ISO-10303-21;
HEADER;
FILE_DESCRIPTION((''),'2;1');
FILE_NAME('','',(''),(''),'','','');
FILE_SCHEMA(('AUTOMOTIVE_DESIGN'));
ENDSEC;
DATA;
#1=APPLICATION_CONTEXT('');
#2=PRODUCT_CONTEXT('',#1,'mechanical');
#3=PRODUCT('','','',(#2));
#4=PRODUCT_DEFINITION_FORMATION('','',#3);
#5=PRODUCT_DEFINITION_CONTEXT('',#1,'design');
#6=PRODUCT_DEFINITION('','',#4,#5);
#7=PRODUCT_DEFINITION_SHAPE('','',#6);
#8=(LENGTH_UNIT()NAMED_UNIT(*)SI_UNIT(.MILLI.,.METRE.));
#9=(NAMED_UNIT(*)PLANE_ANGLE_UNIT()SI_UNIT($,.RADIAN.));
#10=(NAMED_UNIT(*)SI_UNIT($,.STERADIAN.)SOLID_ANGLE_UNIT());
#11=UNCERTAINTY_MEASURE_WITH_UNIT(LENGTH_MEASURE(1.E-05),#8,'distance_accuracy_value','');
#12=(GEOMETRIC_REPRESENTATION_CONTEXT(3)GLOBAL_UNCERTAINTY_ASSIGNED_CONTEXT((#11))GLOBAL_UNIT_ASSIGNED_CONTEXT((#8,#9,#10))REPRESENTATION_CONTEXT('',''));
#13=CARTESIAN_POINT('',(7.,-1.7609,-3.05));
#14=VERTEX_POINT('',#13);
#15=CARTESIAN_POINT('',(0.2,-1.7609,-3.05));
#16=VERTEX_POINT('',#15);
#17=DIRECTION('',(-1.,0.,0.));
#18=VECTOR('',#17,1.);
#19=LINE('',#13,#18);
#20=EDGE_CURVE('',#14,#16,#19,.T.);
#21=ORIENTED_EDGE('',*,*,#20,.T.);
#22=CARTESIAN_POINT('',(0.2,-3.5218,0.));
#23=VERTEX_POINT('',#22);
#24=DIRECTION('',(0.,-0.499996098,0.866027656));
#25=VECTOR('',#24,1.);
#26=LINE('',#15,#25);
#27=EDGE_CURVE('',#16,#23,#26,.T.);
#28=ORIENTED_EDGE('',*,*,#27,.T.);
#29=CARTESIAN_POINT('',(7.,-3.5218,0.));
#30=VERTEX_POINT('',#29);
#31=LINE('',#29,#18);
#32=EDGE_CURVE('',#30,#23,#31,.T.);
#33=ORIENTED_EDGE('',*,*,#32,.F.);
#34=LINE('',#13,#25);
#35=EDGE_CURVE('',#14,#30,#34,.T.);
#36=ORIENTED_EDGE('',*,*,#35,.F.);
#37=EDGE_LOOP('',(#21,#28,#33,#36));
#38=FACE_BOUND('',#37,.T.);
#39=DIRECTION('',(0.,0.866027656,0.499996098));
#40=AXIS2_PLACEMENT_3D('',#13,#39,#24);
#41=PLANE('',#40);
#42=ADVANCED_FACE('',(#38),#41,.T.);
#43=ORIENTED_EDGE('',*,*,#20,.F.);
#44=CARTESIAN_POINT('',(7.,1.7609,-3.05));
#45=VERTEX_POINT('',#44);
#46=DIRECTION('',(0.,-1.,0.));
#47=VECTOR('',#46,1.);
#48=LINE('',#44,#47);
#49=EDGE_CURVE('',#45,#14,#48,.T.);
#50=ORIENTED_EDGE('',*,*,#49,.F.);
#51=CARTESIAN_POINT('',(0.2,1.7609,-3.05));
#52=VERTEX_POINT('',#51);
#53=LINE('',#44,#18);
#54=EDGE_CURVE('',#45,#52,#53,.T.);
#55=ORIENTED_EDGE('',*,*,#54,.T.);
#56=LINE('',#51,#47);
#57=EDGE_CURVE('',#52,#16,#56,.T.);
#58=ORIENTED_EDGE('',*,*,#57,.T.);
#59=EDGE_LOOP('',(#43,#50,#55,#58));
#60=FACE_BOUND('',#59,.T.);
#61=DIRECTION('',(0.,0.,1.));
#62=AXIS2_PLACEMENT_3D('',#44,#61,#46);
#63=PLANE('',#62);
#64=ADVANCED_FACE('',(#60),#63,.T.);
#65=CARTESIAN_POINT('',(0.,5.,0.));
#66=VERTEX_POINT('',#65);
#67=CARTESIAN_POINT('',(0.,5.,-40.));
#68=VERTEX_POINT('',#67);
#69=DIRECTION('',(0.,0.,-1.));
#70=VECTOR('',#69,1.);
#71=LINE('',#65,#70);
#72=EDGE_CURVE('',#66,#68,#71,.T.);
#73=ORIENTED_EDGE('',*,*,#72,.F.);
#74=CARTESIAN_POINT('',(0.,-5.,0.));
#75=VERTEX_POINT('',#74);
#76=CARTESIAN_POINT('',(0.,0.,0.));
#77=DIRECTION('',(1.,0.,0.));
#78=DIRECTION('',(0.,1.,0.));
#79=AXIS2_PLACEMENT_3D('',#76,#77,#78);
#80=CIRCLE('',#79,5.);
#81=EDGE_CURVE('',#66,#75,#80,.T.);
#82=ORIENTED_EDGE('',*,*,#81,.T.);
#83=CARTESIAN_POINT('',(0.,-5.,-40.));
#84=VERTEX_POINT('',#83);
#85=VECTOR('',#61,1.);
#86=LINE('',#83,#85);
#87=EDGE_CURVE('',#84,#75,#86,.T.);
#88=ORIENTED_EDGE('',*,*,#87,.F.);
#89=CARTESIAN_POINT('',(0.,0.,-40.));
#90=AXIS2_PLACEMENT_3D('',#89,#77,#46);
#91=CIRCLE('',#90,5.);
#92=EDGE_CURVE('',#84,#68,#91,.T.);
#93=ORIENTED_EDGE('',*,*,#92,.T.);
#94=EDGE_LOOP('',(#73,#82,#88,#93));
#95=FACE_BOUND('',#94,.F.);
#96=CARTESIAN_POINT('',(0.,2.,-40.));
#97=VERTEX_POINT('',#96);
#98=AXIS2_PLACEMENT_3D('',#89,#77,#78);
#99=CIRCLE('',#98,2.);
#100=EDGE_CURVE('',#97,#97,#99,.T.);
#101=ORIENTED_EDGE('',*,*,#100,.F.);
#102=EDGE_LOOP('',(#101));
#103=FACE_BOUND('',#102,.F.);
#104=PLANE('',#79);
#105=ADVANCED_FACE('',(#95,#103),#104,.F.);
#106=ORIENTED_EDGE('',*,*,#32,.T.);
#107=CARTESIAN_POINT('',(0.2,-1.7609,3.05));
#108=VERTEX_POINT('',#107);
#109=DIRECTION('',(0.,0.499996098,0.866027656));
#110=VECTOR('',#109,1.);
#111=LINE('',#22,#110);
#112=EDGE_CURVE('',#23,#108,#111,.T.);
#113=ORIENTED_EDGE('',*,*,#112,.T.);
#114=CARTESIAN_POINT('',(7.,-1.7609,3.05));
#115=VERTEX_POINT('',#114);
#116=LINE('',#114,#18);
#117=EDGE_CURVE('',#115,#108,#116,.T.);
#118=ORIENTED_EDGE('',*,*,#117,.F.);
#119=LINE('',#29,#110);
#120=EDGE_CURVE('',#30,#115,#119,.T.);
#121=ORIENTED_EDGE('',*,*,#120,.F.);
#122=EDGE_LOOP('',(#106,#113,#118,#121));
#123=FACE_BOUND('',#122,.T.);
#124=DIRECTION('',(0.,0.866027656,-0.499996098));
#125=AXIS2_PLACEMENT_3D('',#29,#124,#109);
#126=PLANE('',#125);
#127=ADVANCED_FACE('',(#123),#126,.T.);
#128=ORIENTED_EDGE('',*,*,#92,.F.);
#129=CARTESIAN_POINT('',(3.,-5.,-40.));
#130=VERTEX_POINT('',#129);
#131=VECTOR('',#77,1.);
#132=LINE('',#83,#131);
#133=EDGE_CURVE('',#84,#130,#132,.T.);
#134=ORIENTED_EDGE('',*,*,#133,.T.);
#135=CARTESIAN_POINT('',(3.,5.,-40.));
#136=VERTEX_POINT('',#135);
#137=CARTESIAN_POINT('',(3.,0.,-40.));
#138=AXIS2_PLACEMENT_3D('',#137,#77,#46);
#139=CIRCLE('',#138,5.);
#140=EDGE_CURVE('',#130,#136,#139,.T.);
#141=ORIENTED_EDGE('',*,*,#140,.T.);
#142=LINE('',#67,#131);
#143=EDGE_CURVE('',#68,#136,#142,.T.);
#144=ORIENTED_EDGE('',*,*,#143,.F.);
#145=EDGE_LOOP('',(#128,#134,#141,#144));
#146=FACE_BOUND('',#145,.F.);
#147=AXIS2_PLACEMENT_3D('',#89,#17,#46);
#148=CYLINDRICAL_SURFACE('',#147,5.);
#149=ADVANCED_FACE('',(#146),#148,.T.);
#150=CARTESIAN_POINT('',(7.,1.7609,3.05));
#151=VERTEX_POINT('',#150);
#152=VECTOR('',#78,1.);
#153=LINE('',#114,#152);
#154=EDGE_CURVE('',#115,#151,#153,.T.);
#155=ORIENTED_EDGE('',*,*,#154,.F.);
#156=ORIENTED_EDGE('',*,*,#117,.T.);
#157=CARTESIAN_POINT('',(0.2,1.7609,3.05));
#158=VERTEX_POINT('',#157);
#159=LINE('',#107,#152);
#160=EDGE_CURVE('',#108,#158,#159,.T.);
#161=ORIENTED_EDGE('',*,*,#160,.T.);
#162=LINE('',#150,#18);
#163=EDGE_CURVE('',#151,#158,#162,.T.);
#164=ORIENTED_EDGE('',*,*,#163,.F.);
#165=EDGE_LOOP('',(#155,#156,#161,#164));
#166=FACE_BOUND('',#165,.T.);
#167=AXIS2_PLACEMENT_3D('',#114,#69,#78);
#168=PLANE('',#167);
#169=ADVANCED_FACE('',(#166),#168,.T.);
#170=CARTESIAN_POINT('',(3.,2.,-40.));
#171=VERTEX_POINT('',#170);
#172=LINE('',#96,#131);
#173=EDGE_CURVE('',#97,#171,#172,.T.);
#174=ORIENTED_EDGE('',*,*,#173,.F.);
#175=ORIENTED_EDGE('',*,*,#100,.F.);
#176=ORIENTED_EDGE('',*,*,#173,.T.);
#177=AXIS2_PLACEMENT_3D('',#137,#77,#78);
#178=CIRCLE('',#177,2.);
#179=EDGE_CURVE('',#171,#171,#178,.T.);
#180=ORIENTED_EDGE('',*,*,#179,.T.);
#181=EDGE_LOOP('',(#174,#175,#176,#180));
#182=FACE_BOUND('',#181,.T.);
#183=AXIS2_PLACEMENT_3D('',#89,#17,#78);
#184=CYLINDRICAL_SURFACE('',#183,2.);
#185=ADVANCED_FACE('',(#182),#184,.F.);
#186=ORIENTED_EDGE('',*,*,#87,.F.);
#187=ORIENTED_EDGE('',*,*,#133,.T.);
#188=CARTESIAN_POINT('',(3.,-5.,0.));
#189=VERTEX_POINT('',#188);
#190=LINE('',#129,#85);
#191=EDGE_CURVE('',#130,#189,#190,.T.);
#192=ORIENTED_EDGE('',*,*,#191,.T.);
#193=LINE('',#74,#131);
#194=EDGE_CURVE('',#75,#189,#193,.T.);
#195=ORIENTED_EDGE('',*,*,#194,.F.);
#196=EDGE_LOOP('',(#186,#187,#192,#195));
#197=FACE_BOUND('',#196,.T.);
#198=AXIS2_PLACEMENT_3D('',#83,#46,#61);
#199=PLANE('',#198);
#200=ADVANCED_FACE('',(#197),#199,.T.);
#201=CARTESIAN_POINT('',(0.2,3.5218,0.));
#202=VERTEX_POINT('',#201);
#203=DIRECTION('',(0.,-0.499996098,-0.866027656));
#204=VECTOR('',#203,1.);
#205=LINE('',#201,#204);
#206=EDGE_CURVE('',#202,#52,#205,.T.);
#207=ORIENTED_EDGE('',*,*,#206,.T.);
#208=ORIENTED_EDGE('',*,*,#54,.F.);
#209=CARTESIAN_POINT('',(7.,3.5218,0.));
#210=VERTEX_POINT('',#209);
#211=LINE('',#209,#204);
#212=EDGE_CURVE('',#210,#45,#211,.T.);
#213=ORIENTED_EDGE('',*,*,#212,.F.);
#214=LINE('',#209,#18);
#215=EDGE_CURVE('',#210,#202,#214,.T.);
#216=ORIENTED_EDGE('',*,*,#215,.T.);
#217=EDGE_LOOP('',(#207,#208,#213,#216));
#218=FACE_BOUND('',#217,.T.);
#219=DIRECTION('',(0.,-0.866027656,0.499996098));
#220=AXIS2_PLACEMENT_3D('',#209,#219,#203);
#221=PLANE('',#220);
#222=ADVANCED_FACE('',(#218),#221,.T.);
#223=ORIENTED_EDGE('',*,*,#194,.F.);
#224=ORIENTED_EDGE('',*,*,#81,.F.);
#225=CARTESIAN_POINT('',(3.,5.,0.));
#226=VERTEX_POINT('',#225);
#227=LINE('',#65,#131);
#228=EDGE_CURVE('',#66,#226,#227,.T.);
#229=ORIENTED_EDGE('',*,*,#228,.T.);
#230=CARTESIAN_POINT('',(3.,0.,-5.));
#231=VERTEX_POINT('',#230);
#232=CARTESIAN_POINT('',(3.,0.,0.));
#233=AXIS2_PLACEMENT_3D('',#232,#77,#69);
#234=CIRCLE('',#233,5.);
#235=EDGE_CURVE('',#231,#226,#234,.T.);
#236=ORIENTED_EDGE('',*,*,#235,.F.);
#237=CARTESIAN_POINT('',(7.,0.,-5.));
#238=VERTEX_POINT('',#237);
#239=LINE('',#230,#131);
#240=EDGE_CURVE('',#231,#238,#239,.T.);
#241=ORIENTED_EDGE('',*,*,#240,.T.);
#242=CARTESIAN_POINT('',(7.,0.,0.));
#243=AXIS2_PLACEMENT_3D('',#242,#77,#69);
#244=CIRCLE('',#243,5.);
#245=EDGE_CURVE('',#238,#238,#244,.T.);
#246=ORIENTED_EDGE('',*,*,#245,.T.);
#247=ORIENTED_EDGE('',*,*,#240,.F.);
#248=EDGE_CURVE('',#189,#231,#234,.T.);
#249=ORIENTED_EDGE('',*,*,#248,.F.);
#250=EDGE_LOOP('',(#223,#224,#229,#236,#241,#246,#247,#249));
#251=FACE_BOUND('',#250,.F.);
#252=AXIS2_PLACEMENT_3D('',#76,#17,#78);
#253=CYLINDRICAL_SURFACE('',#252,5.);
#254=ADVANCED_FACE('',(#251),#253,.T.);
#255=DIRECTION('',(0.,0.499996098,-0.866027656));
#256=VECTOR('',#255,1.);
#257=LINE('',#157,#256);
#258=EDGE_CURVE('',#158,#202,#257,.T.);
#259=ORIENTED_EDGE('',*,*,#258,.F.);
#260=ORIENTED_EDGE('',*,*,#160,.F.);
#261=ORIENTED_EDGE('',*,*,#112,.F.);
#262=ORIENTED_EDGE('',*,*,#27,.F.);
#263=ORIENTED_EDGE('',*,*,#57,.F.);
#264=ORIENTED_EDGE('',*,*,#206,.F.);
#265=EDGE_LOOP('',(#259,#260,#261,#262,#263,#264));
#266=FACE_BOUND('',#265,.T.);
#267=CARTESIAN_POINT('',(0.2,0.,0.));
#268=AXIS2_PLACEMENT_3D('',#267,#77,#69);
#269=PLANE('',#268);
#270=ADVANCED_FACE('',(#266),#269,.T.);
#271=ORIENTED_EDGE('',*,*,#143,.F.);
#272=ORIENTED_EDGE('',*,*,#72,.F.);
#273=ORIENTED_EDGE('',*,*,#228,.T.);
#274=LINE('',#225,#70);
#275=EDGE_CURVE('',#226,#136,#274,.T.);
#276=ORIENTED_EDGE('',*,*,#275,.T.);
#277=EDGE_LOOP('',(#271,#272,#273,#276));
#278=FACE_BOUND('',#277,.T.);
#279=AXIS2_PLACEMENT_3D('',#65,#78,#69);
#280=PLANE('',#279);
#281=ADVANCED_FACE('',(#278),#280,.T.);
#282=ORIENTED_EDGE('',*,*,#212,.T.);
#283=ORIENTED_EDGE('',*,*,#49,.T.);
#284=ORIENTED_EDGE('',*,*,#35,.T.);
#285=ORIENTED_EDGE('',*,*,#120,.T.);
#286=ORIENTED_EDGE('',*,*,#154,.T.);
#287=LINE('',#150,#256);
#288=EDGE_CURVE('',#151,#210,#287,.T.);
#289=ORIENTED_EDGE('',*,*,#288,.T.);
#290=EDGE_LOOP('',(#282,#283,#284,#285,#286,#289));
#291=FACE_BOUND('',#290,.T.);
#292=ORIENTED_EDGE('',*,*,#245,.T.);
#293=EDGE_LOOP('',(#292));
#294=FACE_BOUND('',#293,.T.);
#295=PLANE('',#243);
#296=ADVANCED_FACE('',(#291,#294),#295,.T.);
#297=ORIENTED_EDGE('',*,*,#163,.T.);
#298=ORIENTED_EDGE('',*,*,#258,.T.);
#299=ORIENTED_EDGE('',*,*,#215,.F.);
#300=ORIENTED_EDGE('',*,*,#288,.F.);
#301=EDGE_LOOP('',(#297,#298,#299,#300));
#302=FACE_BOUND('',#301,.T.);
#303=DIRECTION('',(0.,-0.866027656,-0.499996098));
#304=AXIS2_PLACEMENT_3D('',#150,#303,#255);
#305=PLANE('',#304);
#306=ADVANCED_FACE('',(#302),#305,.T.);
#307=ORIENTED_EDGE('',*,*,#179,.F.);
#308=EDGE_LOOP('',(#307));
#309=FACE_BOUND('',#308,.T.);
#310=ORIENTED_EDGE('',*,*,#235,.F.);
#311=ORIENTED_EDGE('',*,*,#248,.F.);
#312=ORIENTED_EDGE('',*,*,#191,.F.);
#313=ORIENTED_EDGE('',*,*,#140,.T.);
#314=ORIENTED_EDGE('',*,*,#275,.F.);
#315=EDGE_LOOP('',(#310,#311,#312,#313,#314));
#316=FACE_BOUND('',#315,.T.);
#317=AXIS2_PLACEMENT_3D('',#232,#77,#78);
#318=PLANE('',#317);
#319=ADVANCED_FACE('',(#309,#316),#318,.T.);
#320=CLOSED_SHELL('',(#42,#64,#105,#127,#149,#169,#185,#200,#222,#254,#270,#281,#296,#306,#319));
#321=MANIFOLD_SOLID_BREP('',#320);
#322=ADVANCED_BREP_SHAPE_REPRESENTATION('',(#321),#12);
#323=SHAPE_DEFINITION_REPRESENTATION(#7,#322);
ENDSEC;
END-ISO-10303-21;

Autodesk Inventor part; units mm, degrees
ref_plane "YZ Plane" through (0, 0, 0) normal (1, 0, 0) x (0, 1, 0)
ref_plane "XZ Plane" through (0, 0, 0) normal (0, 1, 0) x (-1, 0, 0)
ref_plane "XY Plane" through (0, 0, 0) normal (0, 0, 1) x (1, 0, 0)
sketch "Boceto1" plane through (0, 0, 0) normal (1, 0, 0) x (0, 1, 0)
  arc A0 (5, 0) -> (-5, 0) centre (0, 0) ccw
  arc A1 (-5, -40) -> (5, -40) centre (0, -40) ccw
  line L0 (5, 0) -> (5, -40)
  line L1 (-5, -40) -> (-5, 0)
  circle A2 centre (0, -40) radius 2
  dimension "d1" = 10
  dimension "d2" = 10
  dimension "d3" = 40
  dimension "d4" = 4
extrude "Extrusión1" add sketch "Boceto1" along normal blind 3
sketch "Boceto2" plane through (3, 0, 0) normal (1, 0, 0) x (0, 0, -1)
  circle A0 centre (0, 0) radius 5
extrude "Extrusión2" add sketch "Boceto2" along normal blind 4
sketch "Boceto3" plane through (7, 0, 0) normal (1, 0, 0) x (0, 0, -1)
  line L0 (0, 3.5218) -> (3.05, 1.7609)
  line L1 (3.05, 1.7609) -> (3.05, -1.7609)
  line L2 (3.05, -1.7609) -> (0, -3.5218)
  line L3 (0, -3.5218) -> (-3.05, -1.7609)
  line L4 (-3.05, -1.7609) -> (-3.05, 1.7609)
  line L5 (-3.05, 1.7609) -> (0, 3.5218)
  point P0 (0, 0)
  point P1 (0, 0)
  point P2 (3.05, 0)
  dimension "d10" = 6.1
extrude "Extrusión3" cut sketch "Boceto3" against normal blind 6.8
properties part number "Transmision_Inf"
